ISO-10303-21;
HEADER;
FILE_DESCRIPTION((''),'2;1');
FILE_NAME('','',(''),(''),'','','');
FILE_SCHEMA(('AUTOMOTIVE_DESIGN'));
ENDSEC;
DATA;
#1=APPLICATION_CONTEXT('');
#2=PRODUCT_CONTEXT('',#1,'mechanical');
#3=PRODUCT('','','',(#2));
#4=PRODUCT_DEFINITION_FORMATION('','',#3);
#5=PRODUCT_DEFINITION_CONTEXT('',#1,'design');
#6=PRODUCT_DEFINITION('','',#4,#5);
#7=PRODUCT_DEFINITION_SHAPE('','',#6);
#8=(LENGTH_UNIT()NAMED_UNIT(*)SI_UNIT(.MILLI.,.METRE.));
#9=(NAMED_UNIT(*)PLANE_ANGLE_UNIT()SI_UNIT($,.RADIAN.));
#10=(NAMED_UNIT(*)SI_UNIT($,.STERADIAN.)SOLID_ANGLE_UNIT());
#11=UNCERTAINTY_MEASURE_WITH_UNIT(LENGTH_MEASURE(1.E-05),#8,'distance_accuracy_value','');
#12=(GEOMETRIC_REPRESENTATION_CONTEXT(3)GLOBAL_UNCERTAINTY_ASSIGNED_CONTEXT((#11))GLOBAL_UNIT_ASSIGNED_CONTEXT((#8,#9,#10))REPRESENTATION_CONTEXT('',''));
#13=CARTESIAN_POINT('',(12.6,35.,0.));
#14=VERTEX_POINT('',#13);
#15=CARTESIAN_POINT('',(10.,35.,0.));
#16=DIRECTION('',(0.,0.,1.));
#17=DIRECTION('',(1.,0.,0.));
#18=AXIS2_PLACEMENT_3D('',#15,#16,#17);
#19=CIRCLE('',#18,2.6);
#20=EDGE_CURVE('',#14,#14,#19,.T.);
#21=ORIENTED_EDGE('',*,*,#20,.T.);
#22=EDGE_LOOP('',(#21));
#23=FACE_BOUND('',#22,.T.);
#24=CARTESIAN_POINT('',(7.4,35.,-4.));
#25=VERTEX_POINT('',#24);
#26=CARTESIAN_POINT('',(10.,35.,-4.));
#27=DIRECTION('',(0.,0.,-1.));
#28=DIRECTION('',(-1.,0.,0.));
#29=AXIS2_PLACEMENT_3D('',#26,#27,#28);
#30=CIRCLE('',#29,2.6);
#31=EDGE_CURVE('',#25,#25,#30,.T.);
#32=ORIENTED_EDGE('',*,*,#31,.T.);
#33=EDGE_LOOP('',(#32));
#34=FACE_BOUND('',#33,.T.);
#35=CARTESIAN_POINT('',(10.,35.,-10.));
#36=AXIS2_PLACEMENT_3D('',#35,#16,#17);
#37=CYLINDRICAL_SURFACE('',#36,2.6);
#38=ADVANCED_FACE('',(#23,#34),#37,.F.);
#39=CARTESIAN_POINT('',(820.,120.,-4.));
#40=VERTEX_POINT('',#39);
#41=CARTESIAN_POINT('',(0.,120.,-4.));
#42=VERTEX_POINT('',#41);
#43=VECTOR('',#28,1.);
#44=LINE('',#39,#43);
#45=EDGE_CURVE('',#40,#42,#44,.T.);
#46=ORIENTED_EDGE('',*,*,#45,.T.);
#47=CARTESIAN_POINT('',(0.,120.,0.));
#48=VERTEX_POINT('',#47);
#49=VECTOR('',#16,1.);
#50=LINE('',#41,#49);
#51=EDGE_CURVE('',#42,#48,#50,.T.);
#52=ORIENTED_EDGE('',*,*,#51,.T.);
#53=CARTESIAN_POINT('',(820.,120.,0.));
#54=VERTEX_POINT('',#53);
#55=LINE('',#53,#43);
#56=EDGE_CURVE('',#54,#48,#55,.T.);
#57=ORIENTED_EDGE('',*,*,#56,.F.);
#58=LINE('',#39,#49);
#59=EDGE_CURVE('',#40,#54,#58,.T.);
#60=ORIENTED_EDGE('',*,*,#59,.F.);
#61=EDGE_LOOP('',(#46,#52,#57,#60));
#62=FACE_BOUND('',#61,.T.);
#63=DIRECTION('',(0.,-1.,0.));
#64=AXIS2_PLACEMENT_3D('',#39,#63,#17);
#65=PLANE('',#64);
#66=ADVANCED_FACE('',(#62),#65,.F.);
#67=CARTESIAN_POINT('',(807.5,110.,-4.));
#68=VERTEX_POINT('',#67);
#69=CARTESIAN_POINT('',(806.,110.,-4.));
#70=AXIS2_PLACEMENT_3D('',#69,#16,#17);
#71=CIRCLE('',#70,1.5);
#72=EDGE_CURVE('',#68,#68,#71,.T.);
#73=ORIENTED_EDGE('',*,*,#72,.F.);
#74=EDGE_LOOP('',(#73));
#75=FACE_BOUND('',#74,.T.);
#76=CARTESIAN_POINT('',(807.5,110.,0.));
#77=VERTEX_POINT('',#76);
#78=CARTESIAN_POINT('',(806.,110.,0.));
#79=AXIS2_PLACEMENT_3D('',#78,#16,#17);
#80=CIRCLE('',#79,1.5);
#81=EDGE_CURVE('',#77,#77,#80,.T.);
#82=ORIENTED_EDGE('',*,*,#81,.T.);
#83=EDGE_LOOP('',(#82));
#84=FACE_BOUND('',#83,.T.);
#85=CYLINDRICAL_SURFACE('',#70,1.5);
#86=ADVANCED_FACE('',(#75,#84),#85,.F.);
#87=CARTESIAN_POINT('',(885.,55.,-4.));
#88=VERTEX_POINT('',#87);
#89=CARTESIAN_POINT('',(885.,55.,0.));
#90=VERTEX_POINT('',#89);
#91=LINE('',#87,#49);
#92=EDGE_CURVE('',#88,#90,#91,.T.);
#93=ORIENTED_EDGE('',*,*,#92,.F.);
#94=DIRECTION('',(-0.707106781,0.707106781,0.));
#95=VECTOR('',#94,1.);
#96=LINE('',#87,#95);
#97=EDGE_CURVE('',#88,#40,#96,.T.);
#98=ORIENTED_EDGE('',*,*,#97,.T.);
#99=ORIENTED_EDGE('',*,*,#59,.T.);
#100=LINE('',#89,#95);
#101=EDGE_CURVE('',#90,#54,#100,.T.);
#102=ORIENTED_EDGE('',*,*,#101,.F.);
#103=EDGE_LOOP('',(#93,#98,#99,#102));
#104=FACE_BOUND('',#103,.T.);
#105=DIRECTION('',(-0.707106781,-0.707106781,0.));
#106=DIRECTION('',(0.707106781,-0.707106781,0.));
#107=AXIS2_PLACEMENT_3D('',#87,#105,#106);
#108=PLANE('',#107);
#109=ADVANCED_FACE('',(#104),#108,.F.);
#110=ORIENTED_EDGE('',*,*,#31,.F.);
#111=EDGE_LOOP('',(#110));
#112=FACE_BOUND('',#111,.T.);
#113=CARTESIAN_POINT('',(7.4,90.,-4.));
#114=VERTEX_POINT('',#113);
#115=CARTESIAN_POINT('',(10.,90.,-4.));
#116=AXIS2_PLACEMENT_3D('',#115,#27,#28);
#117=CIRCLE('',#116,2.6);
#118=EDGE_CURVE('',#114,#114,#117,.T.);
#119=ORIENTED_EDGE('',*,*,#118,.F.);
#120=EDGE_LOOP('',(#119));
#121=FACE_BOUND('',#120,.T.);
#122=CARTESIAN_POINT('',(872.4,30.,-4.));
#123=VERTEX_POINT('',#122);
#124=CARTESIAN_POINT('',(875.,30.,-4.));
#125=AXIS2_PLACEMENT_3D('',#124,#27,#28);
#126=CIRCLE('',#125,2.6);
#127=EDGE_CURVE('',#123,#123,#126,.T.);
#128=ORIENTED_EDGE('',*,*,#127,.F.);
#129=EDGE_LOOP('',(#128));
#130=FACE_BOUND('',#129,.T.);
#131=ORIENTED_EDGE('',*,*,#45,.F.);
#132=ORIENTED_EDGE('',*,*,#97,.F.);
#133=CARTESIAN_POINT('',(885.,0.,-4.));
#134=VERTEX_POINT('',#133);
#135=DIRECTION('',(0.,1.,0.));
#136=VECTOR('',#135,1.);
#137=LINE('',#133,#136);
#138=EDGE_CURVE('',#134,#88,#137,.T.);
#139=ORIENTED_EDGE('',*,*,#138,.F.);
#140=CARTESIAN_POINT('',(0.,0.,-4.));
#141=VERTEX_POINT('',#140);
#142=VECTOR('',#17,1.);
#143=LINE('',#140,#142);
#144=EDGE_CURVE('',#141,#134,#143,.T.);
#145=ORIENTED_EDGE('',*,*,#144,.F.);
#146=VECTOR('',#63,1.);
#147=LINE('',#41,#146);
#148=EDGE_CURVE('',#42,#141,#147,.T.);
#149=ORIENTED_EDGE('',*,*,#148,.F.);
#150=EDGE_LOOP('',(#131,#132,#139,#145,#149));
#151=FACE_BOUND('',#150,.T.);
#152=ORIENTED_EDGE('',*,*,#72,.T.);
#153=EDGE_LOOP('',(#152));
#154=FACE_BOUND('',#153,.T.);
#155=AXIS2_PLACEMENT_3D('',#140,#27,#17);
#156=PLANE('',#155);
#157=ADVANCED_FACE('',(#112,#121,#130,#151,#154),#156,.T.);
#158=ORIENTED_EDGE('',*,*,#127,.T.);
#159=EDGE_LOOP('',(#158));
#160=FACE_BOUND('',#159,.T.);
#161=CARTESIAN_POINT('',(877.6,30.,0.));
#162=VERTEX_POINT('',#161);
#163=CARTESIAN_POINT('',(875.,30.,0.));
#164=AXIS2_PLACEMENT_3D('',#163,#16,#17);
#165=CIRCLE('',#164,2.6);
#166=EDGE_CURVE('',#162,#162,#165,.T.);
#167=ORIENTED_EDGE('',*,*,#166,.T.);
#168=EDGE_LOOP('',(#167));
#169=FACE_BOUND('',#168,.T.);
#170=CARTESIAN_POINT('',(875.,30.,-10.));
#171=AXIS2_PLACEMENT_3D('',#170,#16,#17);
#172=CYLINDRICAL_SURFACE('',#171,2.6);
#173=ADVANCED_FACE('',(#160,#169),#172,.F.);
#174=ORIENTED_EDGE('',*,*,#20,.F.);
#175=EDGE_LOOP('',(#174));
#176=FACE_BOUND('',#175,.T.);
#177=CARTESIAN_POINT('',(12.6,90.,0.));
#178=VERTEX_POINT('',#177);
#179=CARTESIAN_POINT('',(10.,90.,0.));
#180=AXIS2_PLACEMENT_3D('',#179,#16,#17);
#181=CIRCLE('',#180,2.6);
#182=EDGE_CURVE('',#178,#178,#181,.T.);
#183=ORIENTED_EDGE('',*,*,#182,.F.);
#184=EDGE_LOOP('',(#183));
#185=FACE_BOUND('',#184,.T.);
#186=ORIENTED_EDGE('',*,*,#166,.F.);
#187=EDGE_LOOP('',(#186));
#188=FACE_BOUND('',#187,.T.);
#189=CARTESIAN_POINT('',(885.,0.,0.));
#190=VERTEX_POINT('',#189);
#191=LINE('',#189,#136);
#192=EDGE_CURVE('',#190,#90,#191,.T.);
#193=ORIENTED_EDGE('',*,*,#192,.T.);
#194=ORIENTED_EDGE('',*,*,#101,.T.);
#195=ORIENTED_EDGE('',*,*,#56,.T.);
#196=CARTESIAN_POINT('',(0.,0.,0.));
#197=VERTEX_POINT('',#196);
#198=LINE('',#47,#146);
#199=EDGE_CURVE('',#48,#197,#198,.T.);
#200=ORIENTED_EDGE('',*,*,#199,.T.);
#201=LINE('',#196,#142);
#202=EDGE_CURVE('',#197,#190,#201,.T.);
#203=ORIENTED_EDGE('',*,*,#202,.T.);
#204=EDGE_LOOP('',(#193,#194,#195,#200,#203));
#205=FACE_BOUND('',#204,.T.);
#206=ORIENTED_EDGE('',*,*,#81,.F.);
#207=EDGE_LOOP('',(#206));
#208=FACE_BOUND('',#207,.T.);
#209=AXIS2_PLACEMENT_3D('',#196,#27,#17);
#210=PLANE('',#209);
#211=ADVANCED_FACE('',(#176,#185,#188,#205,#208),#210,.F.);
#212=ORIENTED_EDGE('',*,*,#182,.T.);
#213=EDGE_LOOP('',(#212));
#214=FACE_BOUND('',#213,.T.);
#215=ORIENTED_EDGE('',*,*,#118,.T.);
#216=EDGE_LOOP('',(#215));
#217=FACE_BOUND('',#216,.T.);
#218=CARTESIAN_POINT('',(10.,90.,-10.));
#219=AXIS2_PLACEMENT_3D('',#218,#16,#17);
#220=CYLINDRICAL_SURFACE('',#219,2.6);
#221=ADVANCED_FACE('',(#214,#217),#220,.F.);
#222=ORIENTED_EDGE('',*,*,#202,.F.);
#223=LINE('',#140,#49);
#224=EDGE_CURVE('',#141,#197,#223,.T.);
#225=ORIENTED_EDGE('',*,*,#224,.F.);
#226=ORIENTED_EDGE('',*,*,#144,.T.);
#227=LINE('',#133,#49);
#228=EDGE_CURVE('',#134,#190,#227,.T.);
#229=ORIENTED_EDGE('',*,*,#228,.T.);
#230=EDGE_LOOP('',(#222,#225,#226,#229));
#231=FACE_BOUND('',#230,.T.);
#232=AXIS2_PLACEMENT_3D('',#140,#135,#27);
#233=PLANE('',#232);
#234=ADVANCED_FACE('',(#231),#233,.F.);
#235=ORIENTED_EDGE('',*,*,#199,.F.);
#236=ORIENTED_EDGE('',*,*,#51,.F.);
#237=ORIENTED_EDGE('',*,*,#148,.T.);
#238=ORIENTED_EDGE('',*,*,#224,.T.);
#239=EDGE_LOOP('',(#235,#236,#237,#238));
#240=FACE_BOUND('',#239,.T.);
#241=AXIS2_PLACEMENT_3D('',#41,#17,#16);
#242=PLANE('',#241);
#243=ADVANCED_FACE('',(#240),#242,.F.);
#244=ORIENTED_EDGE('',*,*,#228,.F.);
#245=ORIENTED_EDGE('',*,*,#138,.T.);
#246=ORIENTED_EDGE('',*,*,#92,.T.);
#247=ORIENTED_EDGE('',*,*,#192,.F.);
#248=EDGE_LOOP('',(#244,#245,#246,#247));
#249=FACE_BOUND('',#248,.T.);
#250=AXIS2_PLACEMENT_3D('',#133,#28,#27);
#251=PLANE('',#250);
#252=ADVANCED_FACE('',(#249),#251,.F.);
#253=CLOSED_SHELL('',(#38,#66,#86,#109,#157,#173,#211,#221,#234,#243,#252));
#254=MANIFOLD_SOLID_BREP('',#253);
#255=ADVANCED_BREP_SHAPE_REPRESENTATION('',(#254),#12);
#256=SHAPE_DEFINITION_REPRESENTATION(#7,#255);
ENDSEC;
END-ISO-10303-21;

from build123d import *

# Parameters (mm, degrees)
BOSS_EXTRUDE1_DEPTH = 4
SKETCH8_R           = 2.6
CUT_EXTRUDE4_DEPTH  = 10
SKETCH9_R           = 2.6
CUT_EXTRUDE5_DEPTH  = 10
SKETCH10_R          = 1.5
CUT_EXTRUDE6_DEPTH  = 894.10749633


with BuildPart() as part:
    # Sketch1 → Boss-Extrude1 (new body)
    with BuildSketch(Plane.XY):
        Polygon((0, 0), (885, 0), (885, 55), (820, 120), (0, 120), align=None)
    extrude(amount=BOSS_EXTRUDE1_DEPTH)


with BuildPart() as part_1:
    # Body-Move/Copy1: moved
    add(part.part.moved(Location((0, 0, -4))))

    # Sketch8 → Cut-Extrude4 (cut)
    with BuildSketch(Plane.XY):
        with Locations((10, 90)):
            Circle(SKETCH8_R)
        with Locations((10, 35)):
            Circle(SKETCH8_R)
    extrude(amount=-CUT_EXTRUDE4_DEPTH, mode=Mode.SUBTRACT)

    # Sketch9 → Cut-Extrude5 (cut)
    with BuildSketch(Plane.XY):
        with Locations((875, 30)):
            Circle(SKETCH9_R)
    extrude(amount=-CUT_EXTRUDE5_DEPTH, mode=Mode.SUBTRACT)

    # Sketch10 → Cut-Extrude6 (cut, through all)
    with BuildSketch(Plane.XY):
        with Locations((806, 110)):
            Circle(SKETCH10_R)
    extrude(amount=-CUT_EXTRUDE6_DEPTH, mode=Mode.SUBTRACT)


solid = part_1.part
